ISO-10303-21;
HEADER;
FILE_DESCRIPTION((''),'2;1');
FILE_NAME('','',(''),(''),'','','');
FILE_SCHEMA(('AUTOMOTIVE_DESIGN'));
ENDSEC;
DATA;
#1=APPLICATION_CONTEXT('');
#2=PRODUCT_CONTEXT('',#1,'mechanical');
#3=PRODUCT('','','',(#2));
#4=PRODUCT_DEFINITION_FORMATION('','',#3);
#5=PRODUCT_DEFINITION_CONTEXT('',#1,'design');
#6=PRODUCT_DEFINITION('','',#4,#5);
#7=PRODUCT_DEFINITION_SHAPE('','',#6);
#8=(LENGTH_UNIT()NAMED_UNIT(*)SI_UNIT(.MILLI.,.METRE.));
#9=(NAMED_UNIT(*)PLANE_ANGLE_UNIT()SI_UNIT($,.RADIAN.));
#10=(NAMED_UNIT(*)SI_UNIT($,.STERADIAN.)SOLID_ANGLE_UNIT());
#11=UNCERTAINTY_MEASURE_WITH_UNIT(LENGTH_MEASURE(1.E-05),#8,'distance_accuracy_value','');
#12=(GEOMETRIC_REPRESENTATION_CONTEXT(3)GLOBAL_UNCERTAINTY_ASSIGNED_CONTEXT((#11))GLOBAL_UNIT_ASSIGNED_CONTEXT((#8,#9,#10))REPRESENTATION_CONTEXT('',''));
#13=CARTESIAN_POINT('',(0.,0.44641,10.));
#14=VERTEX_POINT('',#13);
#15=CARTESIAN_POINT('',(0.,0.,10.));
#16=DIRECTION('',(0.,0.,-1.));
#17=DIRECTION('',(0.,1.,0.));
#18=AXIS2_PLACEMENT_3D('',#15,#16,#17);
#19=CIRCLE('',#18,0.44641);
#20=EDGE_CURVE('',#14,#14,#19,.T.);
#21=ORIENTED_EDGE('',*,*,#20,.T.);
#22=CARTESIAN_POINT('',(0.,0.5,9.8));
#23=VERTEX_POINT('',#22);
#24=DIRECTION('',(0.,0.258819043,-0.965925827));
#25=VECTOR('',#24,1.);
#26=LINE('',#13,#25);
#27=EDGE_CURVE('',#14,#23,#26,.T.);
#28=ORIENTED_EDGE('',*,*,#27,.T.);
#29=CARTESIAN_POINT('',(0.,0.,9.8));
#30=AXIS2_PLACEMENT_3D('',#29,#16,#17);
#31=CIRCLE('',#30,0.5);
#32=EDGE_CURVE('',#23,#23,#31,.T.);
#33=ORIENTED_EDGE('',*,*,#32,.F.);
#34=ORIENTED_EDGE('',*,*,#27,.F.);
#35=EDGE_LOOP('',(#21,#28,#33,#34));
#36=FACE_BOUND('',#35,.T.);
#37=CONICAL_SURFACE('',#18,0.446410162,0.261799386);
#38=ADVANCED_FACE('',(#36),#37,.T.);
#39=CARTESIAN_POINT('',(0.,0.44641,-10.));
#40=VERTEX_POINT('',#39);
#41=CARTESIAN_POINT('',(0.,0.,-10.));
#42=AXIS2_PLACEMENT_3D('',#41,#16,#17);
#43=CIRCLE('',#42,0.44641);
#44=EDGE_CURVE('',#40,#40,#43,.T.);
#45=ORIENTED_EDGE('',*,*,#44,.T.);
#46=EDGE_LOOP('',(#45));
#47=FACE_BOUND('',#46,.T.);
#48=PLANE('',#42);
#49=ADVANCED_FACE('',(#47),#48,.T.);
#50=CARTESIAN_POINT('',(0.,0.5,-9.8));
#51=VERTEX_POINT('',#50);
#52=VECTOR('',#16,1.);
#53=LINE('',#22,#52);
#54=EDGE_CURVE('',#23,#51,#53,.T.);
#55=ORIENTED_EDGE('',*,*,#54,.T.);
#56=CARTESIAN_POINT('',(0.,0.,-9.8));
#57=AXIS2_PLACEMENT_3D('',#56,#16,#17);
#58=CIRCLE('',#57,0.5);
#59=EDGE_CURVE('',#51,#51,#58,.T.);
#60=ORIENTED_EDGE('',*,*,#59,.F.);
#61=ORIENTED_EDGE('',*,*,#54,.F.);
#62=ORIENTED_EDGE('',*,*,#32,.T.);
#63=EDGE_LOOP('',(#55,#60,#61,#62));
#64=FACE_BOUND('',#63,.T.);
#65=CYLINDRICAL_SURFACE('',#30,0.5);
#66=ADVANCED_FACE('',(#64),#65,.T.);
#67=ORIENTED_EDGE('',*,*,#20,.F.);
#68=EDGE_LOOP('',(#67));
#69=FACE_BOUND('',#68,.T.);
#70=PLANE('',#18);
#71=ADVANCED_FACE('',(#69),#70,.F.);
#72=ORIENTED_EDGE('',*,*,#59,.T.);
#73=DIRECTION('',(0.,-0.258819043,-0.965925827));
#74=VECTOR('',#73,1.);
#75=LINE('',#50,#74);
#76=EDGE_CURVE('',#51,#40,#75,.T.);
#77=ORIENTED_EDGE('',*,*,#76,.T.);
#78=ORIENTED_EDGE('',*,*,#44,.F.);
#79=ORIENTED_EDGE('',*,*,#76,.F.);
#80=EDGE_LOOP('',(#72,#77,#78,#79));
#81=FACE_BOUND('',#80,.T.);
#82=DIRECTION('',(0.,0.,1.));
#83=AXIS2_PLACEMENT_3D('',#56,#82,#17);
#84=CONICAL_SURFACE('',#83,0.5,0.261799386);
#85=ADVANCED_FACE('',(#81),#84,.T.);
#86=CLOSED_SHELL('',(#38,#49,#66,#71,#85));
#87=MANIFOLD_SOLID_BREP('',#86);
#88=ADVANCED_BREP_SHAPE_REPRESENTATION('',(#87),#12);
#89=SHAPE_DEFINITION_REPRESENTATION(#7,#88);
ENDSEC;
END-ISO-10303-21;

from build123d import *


with BuildPart() as part:
    # Sketch3 → Revolve1 (revolve)
    with BuildSketch(Plane(origin=(0, 0, 0), x_dir=(0, 0, -1), z_dir=(1, 0, 0))):
        Polygon((-10, 0), (-10, 0.446410162), (-9.8, 0.5), (9.8, 0.5), (10, 0.446410162), (10, 0), align=None)
    revolve(axis=Axis((0, 0, 10), (0, 0, -1)))


solid = part.part
